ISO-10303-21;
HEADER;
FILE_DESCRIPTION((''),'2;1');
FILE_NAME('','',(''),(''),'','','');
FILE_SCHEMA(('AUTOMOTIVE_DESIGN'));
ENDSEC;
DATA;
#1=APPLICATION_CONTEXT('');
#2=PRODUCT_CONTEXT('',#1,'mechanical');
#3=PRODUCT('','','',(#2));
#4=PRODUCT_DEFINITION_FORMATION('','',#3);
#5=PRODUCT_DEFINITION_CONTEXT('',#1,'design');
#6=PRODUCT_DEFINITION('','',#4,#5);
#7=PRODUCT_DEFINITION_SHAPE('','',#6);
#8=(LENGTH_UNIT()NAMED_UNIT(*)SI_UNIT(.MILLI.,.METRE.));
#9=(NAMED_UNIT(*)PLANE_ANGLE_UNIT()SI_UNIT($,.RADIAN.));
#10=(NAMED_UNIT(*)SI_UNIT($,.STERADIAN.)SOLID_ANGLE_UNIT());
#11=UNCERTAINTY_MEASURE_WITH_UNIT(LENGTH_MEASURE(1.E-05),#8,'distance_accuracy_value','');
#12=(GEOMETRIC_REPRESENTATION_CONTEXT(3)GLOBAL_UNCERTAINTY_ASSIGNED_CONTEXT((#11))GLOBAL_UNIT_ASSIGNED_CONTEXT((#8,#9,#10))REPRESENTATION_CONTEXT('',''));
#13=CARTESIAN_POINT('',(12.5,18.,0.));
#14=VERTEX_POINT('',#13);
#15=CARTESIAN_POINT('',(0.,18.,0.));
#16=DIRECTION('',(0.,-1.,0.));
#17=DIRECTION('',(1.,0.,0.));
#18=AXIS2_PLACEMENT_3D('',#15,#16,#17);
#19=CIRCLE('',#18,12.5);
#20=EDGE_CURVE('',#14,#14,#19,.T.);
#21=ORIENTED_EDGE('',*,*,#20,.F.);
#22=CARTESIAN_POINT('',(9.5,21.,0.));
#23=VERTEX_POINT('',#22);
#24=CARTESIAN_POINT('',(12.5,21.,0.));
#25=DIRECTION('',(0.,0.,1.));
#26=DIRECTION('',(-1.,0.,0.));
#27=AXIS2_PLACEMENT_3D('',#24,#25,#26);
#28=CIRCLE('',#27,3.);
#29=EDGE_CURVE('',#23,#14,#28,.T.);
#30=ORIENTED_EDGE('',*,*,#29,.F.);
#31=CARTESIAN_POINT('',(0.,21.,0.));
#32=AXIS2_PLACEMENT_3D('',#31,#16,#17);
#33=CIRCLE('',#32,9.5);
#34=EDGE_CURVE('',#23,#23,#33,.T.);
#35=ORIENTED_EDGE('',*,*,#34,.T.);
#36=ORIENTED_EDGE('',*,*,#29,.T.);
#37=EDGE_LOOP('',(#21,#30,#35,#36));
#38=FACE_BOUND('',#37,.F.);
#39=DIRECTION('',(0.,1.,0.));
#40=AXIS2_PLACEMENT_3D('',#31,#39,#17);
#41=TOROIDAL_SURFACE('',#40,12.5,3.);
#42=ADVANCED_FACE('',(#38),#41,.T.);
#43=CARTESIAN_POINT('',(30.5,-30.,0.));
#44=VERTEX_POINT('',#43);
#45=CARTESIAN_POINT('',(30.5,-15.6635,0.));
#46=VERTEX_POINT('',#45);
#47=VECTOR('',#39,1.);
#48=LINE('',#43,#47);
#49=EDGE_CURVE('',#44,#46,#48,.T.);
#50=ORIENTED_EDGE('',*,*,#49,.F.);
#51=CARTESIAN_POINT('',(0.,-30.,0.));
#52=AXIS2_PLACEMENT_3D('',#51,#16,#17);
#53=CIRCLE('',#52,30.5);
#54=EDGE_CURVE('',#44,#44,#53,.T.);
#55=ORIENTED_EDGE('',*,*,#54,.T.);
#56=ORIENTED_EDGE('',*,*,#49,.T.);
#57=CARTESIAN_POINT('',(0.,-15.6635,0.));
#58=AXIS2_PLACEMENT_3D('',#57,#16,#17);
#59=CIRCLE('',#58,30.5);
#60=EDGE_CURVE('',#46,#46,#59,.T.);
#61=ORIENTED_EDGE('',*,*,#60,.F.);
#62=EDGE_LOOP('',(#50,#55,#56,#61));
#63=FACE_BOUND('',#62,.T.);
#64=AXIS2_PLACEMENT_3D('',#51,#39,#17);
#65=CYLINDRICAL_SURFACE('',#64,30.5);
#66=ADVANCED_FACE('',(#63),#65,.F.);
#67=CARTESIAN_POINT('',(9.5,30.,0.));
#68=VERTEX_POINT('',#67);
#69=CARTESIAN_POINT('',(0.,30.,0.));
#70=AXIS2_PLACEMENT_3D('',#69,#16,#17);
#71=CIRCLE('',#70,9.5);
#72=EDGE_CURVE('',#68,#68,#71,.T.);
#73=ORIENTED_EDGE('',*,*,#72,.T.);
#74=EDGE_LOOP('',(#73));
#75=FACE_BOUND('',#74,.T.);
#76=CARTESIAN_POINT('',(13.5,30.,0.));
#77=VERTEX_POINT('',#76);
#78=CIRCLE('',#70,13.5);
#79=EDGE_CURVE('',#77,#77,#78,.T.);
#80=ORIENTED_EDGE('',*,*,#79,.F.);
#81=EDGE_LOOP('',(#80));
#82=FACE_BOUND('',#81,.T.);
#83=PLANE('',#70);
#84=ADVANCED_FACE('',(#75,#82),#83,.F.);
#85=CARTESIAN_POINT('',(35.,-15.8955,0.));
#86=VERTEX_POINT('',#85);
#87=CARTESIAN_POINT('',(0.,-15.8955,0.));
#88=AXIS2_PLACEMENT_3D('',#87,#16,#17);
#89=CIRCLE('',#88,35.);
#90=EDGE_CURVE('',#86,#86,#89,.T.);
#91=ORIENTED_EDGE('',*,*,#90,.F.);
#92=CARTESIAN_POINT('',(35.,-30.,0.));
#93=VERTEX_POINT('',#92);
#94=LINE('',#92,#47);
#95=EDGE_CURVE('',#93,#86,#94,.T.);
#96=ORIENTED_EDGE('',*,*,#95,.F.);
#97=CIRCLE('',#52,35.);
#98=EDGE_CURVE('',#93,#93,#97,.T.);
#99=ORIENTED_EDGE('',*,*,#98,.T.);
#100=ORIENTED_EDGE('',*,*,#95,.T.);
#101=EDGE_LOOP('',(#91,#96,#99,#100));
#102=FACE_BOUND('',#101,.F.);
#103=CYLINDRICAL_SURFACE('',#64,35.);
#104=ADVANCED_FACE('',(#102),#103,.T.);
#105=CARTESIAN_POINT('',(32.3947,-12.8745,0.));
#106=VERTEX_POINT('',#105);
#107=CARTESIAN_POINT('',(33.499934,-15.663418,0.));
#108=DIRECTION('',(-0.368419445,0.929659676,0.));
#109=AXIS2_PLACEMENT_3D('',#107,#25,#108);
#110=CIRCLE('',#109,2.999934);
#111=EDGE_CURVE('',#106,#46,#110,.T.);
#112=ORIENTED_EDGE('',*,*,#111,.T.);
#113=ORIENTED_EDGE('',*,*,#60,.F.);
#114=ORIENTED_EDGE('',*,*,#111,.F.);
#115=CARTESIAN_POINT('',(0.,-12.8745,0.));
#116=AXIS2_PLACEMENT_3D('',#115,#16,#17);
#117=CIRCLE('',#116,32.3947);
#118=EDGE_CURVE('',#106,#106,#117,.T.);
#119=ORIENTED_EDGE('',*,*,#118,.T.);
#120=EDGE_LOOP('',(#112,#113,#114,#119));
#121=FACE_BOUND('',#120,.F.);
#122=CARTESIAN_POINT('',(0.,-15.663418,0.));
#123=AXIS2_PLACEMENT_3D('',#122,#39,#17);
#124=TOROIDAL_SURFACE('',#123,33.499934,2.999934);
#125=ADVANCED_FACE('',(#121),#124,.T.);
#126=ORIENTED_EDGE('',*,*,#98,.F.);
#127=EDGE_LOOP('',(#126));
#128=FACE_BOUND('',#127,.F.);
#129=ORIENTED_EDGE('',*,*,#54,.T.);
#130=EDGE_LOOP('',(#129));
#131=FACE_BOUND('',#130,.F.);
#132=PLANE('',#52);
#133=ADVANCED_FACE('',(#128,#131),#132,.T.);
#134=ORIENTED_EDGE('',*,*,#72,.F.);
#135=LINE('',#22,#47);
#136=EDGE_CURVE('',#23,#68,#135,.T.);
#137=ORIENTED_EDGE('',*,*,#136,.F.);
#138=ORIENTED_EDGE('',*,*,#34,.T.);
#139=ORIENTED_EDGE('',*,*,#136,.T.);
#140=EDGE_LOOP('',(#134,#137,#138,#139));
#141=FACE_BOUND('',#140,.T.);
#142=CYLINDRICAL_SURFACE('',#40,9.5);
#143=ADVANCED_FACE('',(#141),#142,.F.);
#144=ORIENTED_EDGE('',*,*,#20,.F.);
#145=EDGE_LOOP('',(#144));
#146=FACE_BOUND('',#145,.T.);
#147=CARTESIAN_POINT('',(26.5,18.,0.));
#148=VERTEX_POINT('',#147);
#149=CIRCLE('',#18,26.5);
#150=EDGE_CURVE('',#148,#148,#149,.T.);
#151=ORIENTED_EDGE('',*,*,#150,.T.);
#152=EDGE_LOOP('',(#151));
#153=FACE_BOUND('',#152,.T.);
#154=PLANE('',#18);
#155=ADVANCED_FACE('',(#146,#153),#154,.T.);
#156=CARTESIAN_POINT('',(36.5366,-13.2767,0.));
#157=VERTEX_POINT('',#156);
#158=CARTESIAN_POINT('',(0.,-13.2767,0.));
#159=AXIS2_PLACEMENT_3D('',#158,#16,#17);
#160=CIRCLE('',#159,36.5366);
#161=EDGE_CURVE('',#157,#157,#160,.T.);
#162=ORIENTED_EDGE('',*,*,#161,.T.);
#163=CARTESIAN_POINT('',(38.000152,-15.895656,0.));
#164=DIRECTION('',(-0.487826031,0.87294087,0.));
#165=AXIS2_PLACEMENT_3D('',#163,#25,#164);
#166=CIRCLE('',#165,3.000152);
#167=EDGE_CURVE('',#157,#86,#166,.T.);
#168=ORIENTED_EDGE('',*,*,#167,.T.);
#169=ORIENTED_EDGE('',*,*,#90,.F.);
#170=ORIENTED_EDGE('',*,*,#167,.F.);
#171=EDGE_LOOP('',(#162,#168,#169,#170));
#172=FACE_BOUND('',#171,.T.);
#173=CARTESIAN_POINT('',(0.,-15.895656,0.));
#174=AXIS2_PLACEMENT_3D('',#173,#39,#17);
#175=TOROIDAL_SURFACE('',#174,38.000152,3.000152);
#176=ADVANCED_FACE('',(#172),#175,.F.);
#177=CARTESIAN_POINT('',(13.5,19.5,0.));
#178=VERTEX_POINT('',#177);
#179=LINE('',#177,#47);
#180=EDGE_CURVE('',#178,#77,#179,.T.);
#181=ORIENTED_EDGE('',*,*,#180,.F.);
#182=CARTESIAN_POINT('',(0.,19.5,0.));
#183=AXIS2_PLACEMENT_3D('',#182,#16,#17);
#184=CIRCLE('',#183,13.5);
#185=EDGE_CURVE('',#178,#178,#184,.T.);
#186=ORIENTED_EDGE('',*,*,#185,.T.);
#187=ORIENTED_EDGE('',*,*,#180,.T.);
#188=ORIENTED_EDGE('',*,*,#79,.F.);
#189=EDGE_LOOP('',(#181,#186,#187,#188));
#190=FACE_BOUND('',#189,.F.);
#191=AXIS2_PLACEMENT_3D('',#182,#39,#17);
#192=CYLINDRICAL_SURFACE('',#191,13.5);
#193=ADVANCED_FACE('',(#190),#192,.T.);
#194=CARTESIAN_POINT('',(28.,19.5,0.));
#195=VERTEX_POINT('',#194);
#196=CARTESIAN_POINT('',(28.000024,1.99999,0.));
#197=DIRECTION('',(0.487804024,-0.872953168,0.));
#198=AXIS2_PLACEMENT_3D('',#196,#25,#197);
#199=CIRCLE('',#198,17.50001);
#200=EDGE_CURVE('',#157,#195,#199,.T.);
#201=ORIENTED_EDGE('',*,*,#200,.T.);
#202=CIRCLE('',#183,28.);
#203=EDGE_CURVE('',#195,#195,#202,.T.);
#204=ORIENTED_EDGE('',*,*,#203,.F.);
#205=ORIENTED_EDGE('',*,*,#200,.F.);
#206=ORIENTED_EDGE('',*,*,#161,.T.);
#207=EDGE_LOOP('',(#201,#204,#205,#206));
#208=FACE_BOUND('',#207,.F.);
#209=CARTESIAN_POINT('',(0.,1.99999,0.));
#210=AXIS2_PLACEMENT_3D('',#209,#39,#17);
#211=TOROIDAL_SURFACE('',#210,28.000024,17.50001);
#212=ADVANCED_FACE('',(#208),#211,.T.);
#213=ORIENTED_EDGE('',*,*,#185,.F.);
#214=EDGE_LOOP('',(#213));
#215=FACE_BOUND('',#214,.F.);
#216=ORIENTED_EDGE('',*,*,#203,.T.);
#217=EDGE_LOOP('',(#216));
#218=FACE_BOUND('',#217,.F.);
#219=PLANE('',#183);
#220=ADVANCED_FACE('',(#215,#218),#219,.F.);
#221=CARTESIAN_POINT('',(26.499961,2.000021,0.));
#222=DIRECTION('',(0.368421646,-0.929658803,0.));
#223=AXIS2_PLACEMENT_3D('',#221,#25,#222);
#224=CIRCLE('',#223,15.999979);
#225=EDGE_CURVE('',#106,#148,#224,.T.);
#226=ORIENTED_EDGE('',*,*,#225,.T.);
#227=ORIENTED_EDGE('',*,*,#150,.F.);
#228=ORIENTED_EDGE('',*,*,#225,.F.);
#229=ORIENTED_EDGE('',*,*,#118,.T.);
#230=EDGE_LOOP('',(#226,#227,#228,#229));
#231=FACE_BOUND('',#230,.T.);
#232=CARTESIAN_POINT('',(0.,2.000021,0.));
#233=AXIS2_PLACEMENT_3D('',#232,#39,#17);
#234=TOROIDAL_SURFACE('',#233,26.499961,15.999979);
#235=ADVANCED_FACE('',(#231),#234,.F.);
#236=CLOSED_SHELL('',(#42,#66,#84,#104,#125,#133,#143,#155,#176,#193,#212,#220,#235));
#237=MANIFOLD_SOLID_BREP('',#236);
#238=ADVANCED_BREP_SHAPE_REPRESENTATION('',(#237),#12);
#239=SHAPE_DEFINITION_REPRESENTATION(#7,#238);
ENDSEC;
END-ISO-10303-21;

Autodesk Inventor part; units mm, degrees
ref_plane "YZ Plane" through (0, 0, 0) normal (1, 0, 0) x (0, 1, 0)
ref_plane "XZ Plane" through (0, 0, 0) normal (0, 1, 0) x (-1, 0, 0)
ref_plane "XY Plane" through (0, 0, 0) normal (0, 0, 1) x (1, 0, 0)
sketch "Эскиз1" plane through (0, 0, 0) normal (0, 0, 1) x (1, 0, 0)
  line L0 (0, 30) -> (0, -30)
  line L1 (30.5, -30) -> (35, -30)
  line L2 (35, -30) -> (35, -15.8955)
  line L3 (30.5, -30) -> (30.5, -15.6635)
  arc A0 (32.3947, -12.8745) -> (26.5, 18) centre (26.5, 2) ccw
  arc A1 (36.5366, -13.2767) -> (28, 19.5) centre (28, 2) ccw
  line L4 (26.5, 18) -> (12.5, 18)
  line L5 (28, 19.5) -> (13.5, 19.5)
  line L6 (13.5, 19.5) -> (13.5, 30)
  line L7 (9.5, 21) -> (9.5, 30)
  line L8 (9.5, 30) -> (13.5, 30)
  arc A2 (9.5, 21) -> (12.5, 18) centre (12.5, 21) ccw
  arc A3 (36.5366, -13.2767) -> (35, -15.8955) centre (38, -15.8955) ccw
  arc A4 (32.3947, -12.8745) -> (30.5, -15.6635) centre (33.5, -15.6635) ccw
  point P0 (0, 0)
  point P1 (0, 0)
  point P2 (35, -14.039)
  point P3 (30.5, -13.4919)
  dimension "d0" = 60
  dimension "d1" = 61
  dimension "d2" = 70
  dimension "d3" = 16
  dimension "d4" = 1.5
  dimension "d5" = 32
  dimension "d6" = 19
  dimension "d7" = 27
  dimension "d8" = 53
  dimension "d10" = 1.5
  dimension "d11" = 3
  dimension "d12" = 3
revolve "Вращение1" add sketch "Эскиз1" angle 360 about axis through (0, 30, 0) along (0, -1, 0)
properties part number "77. Колпак защитный"
